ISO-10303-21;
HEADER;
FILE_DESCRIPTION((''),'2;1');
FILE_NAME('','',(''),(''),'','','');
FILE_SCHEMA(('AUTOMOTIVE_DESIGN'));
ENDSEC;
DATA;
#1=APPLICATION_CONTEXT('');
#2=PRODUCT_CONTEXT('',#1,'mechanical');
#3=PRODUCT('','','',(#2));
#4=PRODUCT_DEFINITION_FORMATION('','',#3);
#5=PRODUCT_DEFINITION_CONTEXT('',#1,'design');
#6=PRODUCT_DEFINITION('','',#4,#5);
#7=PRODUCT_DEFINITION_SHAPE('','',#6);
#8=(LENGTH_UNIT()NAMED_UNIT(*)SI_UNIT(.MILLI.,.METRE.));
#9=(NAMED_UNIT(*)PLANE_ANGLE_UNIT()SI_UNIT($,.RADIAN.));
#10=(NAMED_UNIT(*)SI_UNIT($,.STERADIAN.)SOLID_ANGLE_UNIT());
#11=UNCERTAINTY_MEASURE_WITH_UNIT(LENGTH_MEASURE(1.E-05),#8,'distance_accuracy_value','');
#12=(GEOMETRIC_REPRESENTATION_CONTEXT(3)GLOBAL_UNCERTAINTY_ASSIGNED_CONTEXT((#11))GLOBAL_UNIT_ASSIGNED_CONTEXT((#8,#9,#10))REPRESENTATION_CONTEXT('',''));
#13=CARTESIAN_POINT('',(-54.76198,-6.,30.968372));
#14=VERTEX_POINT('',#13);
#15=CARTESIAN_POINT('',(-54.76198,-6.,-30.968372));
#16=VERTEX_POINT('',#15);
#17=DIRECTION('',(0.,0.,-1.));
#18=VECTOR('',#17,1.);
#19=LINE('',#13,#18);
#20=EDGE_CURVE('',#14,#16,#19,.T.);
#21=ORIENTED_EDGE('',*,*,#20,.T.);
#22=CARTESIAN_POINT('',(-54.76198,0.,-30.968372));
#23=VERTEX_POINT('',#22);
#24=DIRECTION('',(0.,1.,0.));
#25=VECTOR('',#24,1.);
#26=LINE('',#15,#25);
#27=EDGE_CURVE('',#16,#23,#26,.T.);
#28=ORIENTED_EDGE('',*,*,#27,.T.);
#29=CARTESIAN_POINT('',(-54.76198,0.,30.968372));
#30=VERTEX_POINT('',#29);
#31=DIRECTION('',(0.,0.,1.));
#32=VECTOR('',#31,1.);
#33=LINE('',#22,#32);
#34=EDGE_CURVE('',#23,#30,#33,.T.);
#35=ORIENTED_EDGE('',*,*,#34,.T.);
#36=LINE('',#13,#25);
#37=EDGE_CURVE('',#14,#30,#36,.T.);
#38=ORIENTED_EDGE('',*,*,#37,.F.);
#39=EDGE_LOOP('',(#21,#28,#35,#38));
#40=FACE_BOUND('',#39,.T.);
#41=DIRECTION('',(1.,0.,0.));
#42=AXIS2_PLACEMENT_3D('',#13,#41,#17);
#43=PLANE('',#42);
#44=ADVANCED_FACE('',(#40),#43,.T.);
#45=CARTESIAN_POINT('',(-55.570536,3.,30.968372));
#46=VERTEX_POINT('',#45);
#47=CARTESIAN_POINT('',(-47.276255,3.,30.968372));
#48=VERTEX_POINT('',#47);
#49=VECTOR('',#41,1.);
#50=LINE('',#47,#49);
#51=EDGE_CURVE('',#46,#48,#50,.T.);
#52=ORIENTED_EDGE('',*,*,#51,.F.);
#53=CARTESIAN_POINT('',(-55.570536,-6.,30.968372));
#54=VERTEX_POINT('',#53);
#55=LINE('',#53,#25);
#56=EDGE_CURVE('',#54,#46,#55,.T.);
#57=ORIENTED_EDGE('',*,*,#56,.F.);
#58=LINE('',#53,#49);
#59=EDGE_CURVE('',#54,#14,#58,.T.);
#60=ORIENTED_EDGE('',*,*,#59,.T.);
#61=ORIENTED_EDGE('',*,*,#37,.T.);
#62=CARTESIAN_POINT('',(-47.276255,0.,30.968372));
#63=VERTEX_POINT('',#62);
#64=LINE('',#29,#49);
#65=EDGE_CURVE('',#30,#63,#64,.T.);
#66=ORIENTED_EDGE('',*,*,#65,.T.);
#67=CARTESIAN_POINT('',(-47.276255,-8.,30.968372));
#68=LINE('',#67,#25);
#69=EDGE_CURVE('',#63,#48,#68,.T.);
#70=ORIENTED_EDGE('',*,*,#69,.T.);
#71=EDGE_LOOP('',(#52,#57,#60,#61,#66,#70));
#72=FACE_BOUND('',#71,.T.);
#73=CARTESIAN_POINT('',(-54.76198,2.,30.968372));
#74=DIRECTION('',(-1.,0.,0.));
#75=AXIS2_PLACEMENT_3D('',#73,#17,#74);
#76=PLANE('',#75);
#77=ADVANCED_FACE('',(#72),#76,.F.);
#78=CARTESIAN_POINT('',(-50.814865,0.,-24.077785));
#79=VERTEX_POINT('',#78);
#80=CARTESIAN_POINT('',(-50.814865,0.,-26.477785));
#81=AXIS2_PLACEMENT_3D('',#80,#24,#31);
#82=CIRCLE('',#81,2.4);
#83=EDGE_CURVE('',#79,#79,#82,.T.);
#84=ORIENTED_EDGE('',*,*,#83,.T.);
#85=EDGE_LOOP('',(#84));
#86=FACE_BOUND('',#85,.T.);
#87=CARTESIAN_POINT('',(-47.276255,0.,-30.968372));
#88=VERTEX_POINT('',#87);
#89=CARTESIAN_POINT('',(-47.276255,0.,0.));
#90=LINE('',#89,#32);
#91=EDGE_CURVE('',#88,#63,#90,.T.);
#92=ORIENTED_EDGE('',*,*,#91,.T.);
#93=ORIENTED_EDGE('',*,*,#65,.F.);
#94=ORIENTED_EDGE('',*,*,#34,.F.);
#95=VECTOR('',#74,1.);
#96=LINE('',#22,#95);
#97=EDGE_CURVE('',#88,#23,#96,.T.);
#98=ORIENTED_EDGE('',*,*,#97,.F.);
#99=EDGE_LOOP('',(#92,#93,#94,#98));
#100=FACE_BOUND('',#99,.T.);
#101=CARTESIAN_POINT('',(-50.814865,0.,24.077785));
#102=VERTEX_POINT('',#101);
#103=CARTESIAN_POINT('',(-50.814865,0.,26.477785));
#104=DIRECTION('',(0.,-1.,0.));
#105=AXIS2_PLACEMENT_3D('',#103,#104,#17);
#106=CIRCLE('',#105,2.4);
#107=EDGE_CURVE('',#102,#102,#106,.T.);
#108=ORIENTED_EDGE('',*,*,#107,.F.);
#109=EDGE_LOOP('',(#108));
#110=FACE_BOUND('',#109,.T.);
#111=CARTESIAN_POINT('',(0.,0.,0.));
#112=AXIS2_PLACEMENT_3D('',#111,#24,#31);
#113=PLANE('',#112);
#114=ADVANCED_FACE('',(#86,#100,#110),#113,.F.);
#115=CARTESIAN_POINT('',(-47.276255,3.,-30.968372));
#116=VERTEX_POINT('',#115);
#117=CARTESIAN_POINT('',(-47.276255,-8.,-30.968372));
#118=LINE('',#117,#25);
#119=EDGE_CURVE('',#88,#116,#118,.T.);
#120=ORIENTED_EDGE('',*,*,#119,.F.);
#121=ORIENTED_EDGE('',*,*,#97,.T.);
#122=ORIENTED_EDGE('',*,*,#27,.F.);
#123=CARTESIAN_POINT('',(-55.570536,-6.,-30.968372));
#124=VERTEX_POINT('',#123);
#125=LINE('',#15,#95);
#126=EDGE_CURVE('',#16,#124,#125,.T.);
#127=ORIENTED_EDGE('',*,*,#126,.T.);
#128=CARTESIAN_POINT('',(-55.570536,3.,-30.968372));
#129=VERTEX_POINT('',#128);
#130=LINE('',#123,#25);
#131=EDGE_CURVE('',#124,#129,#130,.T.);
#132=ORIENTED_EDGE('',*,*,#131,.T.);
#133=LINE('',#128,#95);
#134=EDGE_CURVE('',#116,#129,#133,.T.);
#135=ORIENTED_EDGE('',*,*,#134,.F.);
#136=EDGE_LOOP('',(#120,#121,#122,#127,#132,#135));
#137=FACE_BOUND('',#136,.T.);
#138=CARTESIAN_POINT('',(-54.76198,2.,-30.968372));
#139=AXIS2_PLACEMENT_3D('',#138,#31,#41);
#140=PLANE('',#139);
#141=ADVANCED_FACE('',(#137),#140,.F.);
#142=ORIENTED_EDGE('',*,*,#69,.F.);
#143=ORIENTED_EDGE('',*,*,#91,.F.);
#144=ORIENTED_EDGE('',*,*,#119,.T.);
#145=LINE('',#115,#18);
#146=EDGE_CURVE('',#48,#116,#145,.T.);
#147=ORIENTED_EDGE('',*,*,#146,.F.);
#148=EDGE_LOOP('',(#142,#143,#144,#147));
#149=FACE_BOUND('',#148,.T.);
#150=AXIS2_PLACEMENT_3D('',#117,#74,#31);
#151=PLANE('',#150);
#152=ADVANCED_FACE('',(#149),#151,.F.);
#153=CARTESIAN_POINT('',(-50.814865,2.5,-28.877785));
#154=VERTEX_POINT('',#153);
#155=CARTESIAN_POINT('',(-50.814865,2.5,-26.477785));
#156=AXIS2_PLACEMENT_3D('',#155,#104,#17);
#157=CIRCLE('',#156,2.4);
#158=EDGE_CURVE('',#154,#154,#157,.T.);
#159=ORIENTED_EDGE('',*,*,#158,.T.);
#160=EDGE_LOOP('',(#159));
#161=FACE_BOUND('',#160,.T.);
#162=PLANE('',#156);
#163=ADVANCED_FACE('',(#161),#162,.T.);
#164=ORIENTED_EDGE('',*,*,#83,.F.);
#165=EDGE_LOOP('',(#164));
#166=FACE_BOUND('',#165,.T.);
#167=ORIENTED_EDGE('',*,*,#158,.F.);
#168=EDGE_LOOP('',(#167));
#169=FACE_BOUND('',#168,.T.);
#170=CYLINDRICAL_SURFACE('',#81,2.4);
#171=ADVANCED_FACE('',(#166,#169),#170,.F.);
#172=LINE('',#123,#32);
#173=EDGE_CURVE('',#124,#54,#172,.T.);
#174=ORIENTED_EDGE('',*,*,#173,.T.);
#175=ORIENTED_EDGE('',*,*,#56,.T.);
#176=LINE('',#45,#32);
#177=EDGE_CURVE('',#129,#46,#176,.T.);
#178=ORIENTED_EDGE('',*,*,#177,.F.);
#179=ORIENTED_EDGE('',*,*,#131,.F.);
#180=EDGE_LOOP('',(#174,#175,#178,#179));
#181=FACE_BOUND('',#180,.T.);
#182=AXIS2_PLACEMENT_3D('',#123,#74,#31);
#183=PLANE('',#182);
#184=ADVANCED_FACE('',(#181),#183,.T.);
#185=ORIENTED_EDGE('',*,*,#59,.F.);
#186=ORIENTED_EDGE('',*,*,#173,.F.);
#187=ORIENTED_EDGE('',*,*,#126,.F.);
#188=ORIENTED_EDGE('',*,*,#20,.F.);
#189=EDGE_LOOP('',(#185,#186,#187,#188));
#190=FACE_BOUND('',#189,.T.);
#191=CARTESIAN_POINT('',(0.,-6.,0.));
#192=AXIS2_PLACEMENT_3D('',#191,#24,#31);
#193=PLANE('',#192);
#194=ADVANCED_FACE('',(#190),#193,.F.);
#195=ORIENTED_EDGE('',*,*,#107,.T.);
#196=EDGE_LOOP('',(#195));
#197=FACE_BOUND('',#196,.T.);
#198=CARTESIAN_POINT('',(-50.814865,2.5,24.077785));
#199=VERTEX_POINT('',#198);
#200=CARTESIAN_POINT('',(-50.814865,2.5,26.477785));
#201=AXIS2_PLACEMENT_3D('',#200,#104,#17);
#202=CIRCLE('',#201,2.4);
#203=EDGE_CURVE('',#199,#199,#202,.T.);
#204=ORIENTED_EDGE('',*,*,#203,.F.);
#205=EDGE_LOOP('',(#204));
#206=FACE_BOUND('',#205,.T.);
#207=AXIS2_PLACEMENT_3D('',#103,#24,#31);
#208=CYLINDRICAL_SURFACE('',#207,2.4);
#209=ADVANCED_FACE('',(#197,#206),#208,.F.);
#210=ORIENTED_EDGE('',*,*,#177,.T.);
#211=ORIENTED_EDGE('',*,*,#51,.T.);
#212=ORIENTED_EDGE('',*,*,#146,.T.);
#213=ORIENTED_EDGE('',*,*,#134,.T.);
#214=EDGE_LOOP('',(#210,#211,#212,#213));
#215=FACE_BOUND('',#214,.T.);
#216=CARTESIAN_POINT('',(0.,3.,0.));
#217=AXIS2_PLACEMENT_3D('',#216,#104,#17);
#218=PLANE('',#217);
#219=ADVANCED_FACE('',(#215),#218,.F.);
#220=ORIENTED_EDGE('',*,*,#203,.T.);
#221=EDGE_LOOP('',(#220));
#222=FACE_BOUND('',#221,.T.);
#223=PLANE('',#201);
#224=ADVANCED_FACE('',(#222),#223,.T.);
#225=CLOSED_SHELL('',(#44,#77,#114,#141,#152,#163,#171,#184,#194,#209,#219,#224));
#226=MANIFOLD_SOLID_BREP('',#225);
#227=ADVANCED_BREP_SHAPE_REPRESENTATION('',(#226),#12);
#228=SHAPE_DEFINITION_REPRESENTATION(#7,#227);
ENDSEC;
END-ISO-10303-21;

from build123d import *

# Parameters (mm, degrees)
SKETCH1_W               = 108.761980125
SKETCH1_H               = 61.936744186
BOSS_EXTRUDE1_DEPTH     = 2
SKETCH2_R               = 2.4
CUT_EXTRUDE1_DEPTH      = 63.943741049
MIRROR2_COPY_1_SKETCH_R = 2.4
MIRROR2_COPY_1_DEPTH    = 63.943741049
SKETCH3_W               = 94.024869854
SKETCH3_H               = 56.555498618
CUT_EXTRUDE2_DEPTH      = 63.943741049
SKETCH6_W               = 101.2762547
SKETCH6_H               = 61.936744186
CUT_EXTRUDE5_DEPTH      = 10
SKETCH8_W               = 0.808555921
SKETCH8_H               = 61.936744186
BOSS_EXTRUDE2_DEPTH     = 8
SKETCH10_W              = 8.294281346
SKETCH10_H              = 61.936744186
BOSS_EXTRUDE4_DEPTH     = 1
CUT_EXTRUDE6_START      = -0.5
SKETCH11_R              = 2.4
CUT_EXTRUDE6_DEPTH      = 0.5


with BuildPart() as part:
    # Sketch1 → Boss-Extrude1 (new body)
    with BuildSketch(Plane(origin=(0, 0, 0), x_dir=(1, 0, 0), z_dir=(0, 1, 0))):
        with Locations((-0.380990063, 0)):
            Rectangle(SKETCH1_W, SKETCH1_H)
    extrude(amount=BOSS_EXTRUDE1_DEPTH)

    # Sketch2 → Cut-Extrude1 (cut, symmetric)
    with BuildSketch(Plane(origin=(0, 2, 0), x_dir=(1, 0, 0), z_dir=(0, 1, 0))):
        with Locations(Location((-50.814865351, 26.477784527, 0), (0, 0, 270))):
            Circle(SKETCH2_R)
    cut_extrude1 = extrude(amount=CUT_EXTRUDE1_DEPTH, both=True, mode=Mode.SUBTRACT)

    # Mirror1: Cut-Extrude1 across plane
    add(cut_extrude1.mirror(Plane.XY), mode=Mode.SUBTRACT)

    # Mirror2: Cut-Extrude1 across plane
    add(cut_extrude1.mirror(Plane.ZY.offset(0.380990062)), mode=Mode.SUBTRACT)

    # Mirror2 copy 1 sketch → Mirror2 copy 1 (cut, symmetric)
    with BuildSketch(Plane(origin=(-0.761980125, 2, 0), x_dir=(-1, 0, 0), z_dir=(0, 1, 0))):
        with Locations(Location((-50.814865351, 26.477784527, 0), (0, 0, 270))):
            Circle(MIRROR2_COPY_1_SKETCH_R)
    extrude(amount=MIRROR2_COPY_1_DEPTH, both=True, mode=Mode.SUBTRACT)

    # Sketch3 → Cut-Extrude2 (cut, through all)
    with BuildSketch(Plane(origin=(0, 2, 0), x_dir=(1, 0, 0), z_dir=(0, 1, 0))):
        Rectangle(SKETCH3_W, SKETCH3_H)
    extrude(amount=-CUT_EXTRUDE2_DEPTH, mode=Mode.SUBTRACT)

    # Sketch6 → Cut-Extrude5 (cut)
    with BuildSketch(Plane(origin=(0, 2, 0), x_dir=(1, 0, 0), z_dir=(0, 1, 0))):
        with Locations((3.36187265, 0)):
            Rectangle(SKETCH6_W, SKETCH6_H)
    extrude(amount=-CUT_EXTRUDE5_DEPTH, mode=Mode.SUBTRACT)

    # Sketch8 → Boss-Extrude2 (add)
    with BuildSketch(Plane(origin=(0, 2, 0), x_dir=(1, 0, 0), z_dir=(0, 1, 0))):
        with Locations((-55.166258086, 0)):
            Rectangle(SKETCH8_W, SKETCH8_H)
    extrude(amount=-BOSS_EXTRUDE2_DEPTH)

    # Sketch10 → Boss-Extrude4 (add)
    with BuildSketch(Plane(origin=(0, 2, 0), x_dir=(1, 0, 0), z_dir=(0, 1, 0))):
        with Locations((-51.423395373, 0)):
            Rectangle(SKETCH10_W, SKETCH10_H)
    extrude(amount=BOSS_EXTRUDE4_DEPTH)

    # Sketch11 → Cut-Extrude6 (cut)
    with BuildSketch(Plane.XZ.offset(-2).offset(CUT_EXTRUDE6_START)):
        with Locations(Location((-50.814865351, -26.477784527, 0), (0, 0, 90))):
            Circle(SKETCH11_R)
        with Locations(Location((-50.814865351, 26.477784527, 0), (0, 0, 270))):
            Circle(SKETCH11_R)
    extrude(amount=CUT_EXTRUDE6_DEPTH, mode=Mode.SUBTRACT)


solid = part.part
